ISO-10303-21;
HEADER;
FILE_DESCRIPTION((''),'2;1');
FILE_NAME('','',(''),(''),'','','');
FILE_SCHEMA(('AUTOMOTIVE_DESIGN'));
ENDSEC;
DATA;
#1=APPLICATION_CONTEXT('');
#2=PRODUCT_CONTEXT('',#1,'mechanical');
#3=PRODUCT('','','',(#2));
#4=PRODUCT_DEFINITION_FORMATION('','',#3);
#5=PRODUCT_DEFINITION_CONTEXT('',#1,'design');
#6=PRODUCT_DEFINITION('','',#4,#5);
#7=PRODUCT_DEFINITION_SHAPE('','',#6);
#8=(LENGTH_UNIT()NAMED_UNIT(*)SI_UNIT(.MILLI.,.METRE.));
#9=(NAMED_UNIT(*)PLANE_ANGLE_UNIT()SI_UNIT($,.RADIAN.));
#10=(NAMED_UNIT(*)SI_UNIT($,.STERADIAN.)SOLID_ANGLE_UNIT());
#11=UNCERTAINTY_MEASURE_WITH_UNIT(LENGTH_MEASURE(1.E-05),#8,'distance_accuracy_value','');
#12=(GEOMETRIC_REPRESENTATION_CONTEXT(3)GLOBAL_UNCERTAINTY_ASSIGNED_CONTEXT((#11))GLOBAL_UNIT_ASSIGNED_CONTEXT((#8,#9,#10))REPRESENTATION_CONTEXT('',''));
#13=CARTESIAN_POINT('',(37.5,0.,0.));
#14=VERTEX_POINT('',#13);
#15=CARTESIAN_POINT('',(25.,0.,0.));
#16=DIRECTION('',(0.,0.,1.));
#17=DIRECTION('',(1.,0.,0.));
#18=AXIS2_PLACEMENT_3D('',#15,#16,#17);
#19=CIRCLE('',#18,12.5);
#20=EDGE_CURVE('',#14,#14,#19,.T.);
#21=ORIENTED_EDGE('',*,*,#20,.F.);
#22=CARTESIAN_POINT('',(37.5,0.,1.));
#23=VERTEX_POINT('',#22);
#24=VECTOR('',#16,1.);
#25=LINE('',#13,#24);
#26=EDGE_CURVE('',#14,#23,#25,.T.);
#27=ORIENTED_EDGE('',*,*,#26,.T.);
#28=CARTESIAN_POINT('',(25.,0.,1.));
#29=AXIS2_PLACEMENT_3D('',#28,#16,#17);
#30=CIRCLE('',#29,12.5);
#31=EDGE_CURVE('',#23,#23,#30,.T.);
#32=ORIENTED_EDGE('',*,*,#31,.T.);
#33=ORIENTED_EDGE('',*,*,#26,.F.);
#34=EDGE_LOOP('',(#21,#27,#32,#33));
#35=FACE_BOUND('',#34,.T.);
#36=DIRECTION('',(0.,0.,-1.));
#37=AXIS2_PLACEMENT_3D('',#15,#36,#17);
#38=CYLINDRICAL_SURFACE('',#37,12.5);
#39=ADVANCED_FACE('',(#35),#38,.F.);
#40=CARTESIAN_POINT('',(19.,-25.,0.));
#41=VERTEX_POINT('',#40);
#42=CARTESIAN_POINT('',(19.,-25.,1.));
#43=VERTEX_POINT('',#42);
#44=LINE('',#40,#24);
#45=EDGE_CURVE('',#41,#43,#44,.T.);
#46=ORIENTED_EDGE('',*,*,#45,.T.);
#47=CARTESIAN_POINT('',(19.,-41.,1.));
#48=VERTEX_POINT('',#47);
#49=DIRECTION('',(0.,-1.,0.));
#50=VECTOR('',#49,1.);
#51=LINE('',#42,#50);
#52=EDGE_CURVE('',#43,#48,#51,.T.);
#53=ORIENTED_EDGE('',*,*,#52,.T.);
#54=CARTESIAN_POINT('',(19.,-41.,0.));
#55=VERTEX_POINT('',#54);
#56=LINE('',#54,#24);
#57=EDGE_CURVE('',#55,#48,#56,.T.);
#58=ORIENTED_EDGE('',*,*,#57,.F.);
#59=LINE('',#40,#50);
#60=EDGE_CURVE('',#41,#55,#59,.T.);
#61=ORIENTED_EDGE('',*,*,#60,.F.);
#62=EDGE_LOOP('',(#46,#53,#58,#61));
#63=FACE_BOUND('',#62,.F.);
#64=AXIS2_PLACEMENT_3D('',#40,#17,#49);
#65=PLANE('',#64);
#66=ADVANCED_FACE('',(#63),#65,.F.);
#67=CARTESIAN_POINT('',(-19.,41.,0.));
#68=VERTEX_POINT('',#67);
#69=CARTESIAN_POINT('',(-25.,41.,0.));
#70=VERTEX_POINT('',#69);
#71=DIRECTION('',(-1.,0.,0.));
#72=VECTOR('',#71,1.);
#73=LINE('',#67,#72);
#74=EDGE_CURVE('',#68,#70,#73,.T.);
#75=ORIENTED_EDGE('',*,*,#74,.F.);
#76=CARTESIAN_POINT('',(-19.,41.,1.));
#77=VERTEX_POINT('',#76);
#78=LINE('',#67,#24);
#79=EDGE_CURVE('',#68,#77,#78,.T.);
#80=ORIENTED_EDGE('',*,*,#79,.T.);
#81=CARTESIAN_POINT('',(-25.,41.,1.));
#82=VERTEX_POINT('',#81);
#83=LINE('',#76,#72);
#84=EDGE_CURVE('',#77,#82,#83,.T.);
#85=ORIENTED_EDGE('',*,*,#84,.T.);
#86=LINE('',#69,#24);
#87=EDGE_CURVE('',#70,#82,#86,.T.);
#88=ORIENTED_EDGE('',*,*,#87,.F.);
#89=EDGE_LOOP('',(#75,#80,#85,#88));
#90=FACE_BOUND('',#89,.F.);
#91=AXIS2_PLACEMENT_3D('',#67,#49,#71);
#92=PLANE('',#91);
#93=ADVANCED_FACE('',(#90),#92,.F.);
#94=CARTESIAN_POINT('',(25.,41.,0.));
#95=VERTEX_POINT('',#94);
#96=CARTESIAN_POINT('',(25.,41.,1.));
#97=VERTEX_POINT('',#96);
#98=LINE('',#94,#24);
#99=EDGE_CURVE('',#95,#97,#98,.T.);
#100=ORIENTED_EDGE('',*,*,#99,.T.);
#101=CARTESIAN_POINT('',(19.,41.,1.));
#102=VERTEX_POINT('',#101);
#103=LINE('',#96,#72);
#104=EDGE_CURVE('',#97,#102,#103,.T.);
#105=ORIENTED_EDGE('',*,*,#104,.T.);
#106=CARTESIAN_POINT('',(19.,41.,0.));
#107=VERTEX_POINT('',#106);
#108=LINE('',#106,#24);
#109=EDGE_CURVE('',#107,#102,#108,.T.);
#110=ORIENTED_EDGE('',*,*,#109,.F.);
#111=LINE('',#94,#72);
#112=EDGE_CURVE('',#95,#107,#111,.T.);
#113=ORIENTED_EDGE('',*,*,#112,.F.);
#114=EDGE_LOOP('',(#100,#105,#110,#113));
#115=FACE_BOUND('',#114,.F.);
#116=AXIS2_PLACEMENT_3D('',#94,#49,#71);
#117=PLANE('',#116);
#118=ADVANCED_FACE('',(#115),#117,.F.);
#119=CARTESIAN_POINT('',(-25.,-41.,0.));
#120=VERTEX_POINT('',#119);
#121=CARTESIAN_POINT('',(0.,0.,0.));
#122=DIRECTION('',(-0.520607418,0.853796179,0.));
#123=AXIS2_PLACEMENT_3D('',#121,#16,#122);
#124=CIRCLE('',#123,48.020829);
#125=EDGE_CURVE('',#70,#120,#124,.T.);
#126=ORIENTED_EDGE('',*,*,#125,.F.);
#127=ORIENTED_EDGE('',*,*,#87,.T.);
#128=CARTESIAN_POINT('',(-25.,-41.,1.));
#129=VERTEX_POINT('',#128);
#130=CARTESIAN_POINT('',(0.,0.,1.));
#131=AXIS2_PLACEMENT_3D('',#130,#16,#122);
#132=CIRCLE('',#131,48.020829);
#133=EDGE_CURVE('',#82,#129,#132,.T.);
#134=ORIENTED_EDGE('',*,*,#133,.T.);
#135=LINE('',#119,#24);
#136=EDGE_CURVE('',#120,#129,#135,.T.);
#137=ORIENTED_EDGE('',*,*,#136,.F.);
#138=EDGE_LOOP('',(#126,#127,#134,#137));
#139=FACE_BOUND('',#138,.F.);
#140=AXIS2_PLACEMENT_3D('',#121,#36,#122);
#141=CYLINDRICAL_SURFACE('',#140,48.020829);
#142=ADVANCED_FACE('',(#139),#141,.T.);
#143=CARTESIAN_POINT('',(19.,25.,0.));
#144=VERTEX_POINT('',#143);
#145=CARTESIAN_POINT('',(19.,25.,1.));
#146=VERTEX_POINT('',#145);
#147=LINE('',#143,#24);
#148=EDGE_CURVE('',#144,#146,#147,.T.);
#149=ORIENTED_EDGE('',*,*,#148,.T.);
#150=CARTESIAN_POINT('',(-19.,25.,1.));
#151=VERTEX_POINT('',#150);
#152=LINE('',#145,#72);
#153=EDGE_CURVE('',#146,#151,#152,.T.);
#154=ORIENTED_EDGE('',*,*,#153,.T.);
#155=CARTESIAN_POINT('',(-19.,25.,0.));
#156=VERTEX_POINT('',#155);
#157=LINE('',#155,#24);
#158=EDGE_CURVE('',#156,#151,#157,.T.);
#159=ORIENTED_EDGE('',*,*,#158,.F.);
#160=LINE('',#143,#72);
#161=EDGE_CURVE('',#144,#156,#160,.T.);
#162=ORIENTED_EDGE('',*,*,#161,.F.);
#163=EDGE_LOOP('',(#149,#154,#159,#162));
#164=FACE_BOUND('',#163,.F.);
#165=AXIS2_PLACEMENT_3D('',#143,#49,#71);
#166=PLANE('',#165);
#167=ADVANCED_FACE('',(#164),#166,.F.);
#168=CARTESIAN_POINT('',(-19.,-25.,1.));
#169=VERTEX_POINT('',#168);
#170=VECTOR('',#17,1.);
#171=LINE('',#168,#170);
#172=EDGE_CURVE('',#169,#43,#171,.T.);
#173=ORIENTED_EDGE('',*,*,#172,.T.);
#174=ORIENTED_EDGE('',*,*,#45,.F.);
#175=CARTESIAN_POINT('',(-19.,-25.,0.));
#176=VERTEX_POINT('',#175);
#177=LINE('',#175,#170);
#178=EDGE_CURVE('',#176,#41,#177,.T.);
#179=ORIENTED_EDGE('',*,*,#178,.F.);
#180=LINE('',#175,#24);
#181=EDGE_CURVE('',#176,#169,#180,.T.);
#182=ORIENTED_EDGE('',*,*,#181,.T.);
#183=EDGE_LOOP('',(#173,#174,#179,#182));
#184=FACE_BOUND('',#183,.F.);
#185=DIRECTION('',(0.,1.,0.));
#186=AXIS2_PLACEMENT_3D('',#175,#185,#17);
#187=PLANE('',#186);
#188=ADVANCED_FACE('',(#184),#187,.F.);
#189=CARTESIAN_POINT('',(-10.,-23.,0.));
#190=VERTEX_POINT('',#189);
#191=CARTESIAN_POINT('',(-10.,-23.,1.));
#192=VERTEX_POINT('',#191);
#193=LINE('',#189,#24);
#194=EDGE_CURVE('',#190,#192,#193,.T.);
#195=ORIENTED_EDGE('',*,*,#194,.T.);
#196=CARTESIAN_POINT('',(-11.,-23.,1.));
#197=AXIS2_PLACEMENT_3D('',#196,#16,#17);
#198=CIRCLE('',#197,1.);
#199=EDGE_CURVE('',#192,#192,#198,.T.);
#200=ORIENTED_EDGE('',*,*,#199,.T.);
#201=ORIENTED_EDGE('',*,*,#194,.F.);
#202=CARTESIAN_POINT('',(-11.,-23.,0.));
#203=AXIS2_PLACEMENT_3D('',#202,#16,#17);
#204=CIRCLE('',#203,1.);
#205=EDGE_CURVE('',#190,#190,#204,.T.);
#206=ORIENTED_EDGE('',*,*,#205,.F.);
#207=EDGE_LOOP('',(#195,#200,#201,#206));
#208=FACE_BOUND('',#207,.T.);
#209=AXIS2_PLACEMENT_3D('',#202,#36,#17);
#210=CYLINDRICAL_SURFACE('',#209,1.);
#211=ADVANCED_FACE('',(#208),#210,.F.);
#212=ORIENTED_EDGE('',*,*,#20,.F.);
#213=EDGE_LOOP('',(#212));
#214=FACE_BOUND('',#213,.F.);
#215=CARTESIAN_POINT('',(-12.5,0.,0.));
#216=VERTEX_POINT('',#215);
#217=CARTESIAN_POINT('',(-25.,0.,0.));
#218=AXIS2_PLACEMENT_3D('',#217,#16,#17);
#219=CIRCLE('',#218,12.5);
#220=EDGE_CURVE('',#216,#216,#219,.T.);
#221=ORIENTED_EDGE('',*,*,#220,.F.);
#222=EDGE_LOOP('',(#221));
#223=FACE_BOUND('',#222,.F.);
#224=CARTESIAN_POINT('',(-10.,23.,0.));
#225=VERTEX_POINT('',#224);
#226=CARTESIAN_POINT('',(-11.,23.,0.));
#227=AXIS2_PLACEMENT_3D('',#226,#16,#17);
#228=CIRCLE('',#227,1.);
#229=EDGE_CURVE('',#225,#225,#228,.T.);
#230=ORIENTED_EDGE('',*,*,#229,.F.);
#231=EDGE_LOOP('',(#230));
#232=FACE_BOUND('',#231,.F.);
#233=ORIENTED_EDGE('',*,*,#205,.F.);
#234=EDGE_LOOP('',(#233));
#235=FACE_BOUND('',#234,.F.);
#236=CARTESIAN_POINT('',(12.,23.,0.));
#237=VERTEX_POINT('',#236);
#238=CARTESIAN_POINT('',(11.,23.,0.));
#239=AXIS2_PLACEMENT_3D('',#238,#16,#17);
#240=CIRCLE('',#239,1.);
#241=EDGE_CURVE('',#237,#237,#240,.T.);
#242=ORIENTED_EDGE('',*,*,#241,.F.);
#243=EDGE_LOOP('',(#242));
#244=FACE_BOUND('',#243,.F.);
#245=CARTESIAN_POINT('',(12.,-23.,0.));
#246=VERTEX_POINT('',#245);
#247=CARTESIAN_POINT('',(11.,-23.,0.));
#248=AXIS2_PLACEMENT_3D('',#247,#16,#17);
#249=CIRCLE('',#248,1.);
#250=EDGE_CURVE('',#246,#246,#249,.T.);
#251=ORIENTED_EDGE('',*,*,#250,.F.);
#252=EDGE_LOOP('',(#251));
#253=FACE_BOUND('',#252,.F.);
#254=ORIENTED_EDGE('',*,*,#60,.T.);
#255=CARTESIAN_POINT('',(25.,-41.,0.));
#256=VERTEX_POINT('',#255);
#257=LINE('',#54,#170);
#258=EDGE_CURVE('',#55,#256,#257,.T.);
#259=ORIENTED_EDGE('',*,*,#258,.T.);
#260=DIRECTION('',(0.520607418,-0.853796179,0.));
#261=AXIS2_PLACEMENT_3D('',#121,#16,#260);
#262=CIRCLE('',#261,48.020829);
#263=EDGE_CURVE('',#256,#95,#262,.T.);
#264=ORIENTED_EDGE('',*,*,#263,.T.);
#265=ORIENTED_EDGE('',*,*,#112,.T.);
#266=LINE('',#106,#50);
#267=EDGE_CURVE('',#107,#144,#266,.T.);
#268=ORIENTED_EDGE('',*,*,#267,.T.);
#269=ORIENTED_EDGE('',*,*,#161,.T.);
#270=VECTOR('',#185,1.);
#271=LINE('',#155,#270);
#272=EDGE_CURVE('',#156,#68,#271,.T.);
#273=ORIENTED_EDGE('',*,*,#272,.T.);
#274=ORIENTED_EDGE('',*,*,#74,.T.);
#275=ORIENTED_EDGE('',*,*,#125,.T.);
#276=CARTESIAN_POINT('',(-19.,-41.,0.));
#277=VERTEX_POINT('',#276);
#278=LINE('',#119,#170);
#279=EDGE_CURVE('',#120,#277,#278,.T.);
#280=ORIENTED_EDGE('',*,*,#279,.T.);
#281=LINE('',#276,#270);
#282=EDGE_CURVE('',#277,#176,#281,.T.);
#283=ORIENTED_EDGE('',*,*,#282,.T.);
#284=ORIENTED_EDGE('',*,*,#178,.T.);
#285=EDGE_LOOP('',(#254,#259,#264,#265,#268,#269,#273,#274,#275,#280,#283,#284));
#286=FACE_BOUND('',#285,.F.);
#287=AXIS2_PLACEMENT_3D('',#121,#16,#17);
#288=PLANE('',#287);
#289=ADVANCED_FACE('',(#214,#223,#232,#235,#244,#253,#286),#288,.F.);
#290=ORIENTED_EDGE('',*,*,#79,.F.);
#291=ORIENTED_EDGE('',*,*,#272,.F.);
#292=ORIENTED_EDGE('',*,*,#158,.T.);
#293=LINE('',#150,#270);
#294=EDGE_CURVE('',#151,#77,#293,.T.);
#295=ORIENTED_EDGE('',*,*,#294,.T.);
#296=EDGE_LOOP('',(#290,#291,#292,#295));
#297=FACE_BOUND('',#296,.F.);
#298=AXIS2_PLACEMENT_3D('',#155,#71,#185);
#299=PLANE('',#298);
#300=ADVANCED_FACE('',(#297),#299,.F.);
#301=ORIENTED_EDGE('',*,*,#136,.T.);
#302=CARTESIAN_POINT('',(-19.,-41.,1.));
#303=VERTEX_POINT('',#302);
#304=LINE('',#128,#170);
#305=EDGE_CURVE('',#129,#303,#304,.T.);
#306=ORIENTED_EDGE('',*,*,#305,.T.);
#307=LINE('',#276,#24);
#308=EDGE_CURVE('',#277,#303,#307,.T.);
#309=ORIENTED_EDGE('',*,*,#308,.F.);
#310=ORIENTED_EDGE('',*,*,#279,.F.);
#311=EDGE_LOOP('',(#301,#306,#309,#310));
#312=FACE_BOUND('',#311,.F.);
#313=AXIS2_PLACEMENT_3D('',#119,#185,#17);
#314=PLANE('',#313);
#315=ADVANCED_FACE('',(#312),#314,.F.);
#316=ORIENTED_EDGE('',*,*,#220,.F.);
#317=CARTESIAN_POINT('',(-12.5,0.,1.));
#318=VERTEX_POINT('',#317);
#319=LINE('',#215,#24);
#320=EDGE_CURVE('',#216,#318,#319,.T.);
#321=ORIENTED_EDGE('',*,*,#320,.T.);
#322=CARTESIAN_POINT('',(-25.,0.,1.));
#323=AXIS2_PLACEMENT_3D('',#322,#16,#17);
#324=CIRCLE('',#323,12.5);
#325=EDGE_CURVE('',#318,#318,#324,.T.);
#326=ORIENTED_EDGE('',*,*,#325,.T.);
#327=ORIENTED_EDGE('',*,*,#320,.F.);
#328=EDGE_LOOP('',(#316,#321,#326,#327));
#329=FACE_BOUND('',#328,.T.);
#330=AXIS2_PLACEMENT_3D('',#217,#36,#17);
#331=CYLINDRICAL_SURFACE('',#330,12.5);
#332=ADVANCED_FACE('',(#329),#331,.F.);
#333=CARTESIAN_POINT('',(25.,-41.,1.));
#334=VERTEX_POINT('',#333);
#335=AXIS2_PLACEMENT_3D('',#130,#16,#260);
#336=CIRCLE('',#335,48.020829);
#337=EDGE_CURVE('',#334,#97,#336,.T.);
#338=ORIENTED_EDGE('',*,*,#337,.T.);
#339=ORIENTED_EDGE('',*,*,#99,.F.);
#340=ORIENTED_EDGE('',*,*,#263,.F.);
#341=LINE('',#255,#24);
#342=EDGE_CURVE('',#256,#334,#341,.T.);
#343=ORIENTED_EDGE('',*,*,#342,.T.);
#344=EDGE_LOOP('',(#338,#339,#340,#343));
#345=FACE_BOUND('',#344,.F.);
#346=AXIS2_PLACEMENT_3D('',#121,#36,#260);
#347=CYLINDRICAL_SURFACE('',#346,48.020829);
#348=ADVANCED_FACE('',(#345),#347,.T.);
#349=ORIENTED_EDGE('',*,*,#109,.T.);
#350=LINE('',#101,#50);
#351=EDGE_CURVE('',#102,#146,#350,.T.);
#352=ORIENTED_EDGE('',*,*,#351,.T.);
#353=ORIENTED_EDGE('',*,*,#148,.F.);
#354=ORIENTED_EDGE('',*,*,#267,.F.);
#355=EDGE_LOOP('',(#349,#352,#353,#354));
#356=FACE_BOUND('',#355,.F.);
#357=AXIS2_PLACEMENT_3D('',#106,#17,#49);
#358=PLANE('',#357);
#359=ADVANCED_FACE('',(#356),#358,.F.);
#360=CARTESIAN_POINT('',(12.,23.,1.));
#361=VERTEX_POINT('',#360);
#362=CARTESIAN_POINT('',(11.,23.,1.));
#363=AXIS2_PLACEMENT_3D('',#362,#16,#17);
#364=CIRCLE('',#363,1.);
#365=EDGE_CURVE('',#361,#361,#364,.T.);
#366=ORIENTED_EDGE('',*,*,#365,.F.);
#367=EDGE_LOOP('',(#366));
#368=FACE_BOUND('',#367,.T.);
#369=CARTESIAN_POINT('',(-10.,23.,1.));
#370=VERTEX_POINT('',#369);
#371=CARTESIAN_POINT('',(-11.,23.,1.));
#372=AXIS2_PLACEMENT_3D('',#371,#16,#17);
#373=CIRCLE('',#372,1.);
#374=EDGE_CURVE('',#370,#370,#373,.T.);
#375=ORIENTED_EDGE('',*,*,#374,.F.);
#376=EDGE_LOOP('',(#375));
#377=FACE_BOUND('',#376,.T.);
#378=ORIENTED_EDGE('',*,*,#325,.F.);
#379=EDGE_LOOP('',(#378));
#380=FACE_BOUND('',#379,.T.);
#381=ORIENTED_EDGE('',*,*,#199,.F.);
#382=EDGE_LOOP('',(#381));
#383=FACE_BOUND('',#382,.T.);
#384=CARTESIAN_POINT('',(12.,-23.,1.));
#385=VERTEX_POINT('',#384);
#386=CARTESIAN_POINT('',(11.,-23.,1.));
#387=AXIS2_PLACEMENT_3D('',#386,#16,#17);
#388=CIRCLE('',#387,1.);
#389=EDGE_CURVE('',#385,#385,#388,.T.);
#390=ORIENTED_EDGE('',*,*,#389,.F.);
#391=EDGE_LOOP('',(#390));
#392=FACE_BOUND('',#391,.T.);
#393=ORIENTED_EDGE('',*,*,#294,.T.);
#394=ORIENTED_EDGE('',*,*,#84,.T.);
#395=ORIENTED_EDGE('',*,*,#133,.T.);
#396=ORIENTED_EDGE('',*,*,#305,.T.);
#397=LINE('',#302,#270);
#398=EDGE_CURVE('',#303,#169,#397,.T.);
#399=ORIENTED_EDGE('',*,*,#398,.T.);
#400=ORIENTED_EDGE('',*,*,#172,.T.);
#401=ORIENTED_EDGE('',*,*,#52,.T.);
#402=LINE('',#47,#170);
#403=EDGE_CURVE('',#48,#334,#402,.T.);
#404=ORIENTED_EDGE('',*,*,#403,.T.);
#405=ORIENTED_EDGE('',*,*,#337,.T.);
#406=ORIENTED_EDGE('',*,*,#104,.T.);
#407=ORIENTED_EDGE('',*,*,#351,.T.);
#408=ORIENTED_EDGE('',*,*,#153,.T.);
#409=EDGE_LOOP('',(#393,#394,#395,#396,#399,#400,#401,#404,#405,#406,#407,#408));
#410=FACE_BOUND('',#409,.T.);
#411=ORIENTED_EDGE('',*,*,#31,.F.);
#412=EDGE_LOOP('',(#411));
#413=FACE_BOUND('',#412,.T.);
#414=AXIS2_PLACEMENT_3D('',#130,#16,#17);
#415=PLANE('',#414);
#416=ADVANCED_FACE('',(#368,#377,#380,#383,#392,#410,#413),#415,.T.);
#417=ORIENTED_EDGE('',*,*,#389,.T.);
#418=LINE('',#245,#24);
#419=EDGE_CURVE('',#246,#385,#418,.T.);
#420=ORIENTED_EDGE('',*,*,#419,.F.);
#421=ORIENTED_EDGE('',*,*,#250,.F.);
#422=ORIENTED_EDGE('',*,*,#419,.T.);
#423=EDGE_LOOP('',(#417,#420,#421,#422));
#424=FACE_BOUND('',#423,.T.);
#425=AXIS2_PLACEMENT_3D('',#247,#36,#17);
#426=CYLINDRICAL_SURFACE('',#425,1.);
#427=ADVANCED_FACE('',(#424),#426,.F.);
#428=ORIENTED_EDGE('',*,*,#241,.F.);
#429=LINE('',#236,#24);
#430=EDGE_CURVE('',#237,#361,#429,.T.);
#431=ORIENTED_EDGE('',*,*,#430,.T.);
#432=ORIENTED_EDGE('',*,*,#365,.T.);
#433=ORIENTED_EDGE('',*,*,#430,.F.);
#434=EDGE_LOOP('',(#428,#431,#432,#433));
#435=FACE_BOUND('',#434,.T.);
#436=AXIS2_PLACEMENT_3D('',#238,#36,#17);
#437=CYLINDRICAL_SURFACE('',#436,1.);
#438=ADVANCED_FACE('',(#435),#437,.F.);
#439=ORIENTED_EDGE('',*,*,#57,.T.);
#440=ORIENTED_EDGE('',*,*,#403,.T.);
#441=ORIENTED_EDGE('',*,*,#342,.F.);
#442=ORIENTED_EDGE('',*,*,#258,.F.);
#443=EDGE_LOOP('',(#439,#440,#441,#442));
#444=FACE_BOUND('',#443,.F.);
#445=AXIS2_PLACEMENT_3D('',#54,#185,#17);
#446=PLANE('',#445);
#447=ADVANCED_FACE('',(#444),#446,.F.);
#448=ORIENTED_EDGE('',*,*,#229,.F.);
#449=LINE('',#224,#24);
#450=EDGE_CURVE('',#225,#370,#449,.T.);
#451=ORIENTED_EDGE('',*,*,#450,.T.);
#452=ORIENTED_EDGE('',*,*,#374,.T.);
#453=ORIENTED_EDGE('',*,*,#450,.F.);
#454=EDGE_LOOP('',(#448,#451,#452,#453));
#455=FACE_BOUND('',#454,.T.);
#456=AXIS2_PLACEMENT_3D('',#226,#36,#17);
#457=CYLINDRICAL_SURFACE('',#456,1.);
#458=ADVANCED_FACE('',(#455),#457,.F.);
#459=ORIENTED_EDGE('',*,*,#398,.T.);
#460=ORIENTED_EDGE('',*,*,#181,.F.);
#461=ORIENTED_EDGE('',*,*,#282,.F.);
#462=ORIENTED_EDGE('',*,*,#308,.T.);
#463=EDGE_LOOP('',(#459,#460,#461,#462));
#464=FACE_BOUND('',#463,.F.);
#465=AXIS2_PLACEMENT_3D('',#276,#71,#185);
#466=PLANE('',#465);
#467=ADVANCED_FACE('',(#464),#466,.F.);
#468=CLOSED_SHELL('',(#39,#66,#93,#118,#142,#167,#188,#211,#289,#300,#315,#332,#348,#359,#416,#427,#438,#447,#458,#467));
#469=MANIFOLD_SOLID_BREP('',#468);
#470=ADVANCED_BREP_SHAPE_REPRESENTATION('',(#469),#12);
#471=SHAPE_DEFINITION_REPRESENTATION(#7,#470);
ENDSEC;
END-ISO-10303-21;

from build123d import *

# Parameters (mm, degrees)
F0_R     = 1
F0_R_2   = 12.5
F1_DEPTH = 1


with BuildPart() as f1:
    # F0 (on Top) → F1 (new body)
    with BuildSketch(Plane.XY):
        with BuildLine():
            Line((19, 25), (0, 25))
            Line((0, 25), (-19, 25))
            Line((-19, 25), (-19, 41))
            Line((-19, 41), (-25, 41))
            ThreePointArc((-25, 41), (-48.020829, 0), (-25, -41))
            Line((-25, -41), (-19, -41))
            Line((-19, -41), (-19, -25))
            Line((-19, -25), (0, -25))
            Line((0, -25), (19, -25))
            Line((19, -25), (19, -41))
            Line((19, -41), (25, -41))
            ThreePointArc((25, -41), (48.020829, 0), (25, 41))
            Line((25, 41), (19, 41))
            Line((19, 41), (19, 25))
        make_face()
        with Locations((-11, -23)):
            Circle(F0_R, mode=Mode.SUBTRACT)
        with Locations((11, -23)):
            Circle(F0_R, mode=Mode.SUBTRACT)
        with Locations((-25, 0)):
            Circle(F0_R_2, mode=Mode.SUBTRACT)
        with Locations((-11, 23)):
            Circle(F0_R, mode=Mode.SUBTRACT)
        with Locations((25, 0)):
            Circle(F0_R_2, mode=Mode.SUBTRACT)
        with Locations((11, 23)):
            Circle(F0_R, mode=Mode.SUBTRACT)
    extrude(amount=F1_DEPTH)


solid = f1.part
